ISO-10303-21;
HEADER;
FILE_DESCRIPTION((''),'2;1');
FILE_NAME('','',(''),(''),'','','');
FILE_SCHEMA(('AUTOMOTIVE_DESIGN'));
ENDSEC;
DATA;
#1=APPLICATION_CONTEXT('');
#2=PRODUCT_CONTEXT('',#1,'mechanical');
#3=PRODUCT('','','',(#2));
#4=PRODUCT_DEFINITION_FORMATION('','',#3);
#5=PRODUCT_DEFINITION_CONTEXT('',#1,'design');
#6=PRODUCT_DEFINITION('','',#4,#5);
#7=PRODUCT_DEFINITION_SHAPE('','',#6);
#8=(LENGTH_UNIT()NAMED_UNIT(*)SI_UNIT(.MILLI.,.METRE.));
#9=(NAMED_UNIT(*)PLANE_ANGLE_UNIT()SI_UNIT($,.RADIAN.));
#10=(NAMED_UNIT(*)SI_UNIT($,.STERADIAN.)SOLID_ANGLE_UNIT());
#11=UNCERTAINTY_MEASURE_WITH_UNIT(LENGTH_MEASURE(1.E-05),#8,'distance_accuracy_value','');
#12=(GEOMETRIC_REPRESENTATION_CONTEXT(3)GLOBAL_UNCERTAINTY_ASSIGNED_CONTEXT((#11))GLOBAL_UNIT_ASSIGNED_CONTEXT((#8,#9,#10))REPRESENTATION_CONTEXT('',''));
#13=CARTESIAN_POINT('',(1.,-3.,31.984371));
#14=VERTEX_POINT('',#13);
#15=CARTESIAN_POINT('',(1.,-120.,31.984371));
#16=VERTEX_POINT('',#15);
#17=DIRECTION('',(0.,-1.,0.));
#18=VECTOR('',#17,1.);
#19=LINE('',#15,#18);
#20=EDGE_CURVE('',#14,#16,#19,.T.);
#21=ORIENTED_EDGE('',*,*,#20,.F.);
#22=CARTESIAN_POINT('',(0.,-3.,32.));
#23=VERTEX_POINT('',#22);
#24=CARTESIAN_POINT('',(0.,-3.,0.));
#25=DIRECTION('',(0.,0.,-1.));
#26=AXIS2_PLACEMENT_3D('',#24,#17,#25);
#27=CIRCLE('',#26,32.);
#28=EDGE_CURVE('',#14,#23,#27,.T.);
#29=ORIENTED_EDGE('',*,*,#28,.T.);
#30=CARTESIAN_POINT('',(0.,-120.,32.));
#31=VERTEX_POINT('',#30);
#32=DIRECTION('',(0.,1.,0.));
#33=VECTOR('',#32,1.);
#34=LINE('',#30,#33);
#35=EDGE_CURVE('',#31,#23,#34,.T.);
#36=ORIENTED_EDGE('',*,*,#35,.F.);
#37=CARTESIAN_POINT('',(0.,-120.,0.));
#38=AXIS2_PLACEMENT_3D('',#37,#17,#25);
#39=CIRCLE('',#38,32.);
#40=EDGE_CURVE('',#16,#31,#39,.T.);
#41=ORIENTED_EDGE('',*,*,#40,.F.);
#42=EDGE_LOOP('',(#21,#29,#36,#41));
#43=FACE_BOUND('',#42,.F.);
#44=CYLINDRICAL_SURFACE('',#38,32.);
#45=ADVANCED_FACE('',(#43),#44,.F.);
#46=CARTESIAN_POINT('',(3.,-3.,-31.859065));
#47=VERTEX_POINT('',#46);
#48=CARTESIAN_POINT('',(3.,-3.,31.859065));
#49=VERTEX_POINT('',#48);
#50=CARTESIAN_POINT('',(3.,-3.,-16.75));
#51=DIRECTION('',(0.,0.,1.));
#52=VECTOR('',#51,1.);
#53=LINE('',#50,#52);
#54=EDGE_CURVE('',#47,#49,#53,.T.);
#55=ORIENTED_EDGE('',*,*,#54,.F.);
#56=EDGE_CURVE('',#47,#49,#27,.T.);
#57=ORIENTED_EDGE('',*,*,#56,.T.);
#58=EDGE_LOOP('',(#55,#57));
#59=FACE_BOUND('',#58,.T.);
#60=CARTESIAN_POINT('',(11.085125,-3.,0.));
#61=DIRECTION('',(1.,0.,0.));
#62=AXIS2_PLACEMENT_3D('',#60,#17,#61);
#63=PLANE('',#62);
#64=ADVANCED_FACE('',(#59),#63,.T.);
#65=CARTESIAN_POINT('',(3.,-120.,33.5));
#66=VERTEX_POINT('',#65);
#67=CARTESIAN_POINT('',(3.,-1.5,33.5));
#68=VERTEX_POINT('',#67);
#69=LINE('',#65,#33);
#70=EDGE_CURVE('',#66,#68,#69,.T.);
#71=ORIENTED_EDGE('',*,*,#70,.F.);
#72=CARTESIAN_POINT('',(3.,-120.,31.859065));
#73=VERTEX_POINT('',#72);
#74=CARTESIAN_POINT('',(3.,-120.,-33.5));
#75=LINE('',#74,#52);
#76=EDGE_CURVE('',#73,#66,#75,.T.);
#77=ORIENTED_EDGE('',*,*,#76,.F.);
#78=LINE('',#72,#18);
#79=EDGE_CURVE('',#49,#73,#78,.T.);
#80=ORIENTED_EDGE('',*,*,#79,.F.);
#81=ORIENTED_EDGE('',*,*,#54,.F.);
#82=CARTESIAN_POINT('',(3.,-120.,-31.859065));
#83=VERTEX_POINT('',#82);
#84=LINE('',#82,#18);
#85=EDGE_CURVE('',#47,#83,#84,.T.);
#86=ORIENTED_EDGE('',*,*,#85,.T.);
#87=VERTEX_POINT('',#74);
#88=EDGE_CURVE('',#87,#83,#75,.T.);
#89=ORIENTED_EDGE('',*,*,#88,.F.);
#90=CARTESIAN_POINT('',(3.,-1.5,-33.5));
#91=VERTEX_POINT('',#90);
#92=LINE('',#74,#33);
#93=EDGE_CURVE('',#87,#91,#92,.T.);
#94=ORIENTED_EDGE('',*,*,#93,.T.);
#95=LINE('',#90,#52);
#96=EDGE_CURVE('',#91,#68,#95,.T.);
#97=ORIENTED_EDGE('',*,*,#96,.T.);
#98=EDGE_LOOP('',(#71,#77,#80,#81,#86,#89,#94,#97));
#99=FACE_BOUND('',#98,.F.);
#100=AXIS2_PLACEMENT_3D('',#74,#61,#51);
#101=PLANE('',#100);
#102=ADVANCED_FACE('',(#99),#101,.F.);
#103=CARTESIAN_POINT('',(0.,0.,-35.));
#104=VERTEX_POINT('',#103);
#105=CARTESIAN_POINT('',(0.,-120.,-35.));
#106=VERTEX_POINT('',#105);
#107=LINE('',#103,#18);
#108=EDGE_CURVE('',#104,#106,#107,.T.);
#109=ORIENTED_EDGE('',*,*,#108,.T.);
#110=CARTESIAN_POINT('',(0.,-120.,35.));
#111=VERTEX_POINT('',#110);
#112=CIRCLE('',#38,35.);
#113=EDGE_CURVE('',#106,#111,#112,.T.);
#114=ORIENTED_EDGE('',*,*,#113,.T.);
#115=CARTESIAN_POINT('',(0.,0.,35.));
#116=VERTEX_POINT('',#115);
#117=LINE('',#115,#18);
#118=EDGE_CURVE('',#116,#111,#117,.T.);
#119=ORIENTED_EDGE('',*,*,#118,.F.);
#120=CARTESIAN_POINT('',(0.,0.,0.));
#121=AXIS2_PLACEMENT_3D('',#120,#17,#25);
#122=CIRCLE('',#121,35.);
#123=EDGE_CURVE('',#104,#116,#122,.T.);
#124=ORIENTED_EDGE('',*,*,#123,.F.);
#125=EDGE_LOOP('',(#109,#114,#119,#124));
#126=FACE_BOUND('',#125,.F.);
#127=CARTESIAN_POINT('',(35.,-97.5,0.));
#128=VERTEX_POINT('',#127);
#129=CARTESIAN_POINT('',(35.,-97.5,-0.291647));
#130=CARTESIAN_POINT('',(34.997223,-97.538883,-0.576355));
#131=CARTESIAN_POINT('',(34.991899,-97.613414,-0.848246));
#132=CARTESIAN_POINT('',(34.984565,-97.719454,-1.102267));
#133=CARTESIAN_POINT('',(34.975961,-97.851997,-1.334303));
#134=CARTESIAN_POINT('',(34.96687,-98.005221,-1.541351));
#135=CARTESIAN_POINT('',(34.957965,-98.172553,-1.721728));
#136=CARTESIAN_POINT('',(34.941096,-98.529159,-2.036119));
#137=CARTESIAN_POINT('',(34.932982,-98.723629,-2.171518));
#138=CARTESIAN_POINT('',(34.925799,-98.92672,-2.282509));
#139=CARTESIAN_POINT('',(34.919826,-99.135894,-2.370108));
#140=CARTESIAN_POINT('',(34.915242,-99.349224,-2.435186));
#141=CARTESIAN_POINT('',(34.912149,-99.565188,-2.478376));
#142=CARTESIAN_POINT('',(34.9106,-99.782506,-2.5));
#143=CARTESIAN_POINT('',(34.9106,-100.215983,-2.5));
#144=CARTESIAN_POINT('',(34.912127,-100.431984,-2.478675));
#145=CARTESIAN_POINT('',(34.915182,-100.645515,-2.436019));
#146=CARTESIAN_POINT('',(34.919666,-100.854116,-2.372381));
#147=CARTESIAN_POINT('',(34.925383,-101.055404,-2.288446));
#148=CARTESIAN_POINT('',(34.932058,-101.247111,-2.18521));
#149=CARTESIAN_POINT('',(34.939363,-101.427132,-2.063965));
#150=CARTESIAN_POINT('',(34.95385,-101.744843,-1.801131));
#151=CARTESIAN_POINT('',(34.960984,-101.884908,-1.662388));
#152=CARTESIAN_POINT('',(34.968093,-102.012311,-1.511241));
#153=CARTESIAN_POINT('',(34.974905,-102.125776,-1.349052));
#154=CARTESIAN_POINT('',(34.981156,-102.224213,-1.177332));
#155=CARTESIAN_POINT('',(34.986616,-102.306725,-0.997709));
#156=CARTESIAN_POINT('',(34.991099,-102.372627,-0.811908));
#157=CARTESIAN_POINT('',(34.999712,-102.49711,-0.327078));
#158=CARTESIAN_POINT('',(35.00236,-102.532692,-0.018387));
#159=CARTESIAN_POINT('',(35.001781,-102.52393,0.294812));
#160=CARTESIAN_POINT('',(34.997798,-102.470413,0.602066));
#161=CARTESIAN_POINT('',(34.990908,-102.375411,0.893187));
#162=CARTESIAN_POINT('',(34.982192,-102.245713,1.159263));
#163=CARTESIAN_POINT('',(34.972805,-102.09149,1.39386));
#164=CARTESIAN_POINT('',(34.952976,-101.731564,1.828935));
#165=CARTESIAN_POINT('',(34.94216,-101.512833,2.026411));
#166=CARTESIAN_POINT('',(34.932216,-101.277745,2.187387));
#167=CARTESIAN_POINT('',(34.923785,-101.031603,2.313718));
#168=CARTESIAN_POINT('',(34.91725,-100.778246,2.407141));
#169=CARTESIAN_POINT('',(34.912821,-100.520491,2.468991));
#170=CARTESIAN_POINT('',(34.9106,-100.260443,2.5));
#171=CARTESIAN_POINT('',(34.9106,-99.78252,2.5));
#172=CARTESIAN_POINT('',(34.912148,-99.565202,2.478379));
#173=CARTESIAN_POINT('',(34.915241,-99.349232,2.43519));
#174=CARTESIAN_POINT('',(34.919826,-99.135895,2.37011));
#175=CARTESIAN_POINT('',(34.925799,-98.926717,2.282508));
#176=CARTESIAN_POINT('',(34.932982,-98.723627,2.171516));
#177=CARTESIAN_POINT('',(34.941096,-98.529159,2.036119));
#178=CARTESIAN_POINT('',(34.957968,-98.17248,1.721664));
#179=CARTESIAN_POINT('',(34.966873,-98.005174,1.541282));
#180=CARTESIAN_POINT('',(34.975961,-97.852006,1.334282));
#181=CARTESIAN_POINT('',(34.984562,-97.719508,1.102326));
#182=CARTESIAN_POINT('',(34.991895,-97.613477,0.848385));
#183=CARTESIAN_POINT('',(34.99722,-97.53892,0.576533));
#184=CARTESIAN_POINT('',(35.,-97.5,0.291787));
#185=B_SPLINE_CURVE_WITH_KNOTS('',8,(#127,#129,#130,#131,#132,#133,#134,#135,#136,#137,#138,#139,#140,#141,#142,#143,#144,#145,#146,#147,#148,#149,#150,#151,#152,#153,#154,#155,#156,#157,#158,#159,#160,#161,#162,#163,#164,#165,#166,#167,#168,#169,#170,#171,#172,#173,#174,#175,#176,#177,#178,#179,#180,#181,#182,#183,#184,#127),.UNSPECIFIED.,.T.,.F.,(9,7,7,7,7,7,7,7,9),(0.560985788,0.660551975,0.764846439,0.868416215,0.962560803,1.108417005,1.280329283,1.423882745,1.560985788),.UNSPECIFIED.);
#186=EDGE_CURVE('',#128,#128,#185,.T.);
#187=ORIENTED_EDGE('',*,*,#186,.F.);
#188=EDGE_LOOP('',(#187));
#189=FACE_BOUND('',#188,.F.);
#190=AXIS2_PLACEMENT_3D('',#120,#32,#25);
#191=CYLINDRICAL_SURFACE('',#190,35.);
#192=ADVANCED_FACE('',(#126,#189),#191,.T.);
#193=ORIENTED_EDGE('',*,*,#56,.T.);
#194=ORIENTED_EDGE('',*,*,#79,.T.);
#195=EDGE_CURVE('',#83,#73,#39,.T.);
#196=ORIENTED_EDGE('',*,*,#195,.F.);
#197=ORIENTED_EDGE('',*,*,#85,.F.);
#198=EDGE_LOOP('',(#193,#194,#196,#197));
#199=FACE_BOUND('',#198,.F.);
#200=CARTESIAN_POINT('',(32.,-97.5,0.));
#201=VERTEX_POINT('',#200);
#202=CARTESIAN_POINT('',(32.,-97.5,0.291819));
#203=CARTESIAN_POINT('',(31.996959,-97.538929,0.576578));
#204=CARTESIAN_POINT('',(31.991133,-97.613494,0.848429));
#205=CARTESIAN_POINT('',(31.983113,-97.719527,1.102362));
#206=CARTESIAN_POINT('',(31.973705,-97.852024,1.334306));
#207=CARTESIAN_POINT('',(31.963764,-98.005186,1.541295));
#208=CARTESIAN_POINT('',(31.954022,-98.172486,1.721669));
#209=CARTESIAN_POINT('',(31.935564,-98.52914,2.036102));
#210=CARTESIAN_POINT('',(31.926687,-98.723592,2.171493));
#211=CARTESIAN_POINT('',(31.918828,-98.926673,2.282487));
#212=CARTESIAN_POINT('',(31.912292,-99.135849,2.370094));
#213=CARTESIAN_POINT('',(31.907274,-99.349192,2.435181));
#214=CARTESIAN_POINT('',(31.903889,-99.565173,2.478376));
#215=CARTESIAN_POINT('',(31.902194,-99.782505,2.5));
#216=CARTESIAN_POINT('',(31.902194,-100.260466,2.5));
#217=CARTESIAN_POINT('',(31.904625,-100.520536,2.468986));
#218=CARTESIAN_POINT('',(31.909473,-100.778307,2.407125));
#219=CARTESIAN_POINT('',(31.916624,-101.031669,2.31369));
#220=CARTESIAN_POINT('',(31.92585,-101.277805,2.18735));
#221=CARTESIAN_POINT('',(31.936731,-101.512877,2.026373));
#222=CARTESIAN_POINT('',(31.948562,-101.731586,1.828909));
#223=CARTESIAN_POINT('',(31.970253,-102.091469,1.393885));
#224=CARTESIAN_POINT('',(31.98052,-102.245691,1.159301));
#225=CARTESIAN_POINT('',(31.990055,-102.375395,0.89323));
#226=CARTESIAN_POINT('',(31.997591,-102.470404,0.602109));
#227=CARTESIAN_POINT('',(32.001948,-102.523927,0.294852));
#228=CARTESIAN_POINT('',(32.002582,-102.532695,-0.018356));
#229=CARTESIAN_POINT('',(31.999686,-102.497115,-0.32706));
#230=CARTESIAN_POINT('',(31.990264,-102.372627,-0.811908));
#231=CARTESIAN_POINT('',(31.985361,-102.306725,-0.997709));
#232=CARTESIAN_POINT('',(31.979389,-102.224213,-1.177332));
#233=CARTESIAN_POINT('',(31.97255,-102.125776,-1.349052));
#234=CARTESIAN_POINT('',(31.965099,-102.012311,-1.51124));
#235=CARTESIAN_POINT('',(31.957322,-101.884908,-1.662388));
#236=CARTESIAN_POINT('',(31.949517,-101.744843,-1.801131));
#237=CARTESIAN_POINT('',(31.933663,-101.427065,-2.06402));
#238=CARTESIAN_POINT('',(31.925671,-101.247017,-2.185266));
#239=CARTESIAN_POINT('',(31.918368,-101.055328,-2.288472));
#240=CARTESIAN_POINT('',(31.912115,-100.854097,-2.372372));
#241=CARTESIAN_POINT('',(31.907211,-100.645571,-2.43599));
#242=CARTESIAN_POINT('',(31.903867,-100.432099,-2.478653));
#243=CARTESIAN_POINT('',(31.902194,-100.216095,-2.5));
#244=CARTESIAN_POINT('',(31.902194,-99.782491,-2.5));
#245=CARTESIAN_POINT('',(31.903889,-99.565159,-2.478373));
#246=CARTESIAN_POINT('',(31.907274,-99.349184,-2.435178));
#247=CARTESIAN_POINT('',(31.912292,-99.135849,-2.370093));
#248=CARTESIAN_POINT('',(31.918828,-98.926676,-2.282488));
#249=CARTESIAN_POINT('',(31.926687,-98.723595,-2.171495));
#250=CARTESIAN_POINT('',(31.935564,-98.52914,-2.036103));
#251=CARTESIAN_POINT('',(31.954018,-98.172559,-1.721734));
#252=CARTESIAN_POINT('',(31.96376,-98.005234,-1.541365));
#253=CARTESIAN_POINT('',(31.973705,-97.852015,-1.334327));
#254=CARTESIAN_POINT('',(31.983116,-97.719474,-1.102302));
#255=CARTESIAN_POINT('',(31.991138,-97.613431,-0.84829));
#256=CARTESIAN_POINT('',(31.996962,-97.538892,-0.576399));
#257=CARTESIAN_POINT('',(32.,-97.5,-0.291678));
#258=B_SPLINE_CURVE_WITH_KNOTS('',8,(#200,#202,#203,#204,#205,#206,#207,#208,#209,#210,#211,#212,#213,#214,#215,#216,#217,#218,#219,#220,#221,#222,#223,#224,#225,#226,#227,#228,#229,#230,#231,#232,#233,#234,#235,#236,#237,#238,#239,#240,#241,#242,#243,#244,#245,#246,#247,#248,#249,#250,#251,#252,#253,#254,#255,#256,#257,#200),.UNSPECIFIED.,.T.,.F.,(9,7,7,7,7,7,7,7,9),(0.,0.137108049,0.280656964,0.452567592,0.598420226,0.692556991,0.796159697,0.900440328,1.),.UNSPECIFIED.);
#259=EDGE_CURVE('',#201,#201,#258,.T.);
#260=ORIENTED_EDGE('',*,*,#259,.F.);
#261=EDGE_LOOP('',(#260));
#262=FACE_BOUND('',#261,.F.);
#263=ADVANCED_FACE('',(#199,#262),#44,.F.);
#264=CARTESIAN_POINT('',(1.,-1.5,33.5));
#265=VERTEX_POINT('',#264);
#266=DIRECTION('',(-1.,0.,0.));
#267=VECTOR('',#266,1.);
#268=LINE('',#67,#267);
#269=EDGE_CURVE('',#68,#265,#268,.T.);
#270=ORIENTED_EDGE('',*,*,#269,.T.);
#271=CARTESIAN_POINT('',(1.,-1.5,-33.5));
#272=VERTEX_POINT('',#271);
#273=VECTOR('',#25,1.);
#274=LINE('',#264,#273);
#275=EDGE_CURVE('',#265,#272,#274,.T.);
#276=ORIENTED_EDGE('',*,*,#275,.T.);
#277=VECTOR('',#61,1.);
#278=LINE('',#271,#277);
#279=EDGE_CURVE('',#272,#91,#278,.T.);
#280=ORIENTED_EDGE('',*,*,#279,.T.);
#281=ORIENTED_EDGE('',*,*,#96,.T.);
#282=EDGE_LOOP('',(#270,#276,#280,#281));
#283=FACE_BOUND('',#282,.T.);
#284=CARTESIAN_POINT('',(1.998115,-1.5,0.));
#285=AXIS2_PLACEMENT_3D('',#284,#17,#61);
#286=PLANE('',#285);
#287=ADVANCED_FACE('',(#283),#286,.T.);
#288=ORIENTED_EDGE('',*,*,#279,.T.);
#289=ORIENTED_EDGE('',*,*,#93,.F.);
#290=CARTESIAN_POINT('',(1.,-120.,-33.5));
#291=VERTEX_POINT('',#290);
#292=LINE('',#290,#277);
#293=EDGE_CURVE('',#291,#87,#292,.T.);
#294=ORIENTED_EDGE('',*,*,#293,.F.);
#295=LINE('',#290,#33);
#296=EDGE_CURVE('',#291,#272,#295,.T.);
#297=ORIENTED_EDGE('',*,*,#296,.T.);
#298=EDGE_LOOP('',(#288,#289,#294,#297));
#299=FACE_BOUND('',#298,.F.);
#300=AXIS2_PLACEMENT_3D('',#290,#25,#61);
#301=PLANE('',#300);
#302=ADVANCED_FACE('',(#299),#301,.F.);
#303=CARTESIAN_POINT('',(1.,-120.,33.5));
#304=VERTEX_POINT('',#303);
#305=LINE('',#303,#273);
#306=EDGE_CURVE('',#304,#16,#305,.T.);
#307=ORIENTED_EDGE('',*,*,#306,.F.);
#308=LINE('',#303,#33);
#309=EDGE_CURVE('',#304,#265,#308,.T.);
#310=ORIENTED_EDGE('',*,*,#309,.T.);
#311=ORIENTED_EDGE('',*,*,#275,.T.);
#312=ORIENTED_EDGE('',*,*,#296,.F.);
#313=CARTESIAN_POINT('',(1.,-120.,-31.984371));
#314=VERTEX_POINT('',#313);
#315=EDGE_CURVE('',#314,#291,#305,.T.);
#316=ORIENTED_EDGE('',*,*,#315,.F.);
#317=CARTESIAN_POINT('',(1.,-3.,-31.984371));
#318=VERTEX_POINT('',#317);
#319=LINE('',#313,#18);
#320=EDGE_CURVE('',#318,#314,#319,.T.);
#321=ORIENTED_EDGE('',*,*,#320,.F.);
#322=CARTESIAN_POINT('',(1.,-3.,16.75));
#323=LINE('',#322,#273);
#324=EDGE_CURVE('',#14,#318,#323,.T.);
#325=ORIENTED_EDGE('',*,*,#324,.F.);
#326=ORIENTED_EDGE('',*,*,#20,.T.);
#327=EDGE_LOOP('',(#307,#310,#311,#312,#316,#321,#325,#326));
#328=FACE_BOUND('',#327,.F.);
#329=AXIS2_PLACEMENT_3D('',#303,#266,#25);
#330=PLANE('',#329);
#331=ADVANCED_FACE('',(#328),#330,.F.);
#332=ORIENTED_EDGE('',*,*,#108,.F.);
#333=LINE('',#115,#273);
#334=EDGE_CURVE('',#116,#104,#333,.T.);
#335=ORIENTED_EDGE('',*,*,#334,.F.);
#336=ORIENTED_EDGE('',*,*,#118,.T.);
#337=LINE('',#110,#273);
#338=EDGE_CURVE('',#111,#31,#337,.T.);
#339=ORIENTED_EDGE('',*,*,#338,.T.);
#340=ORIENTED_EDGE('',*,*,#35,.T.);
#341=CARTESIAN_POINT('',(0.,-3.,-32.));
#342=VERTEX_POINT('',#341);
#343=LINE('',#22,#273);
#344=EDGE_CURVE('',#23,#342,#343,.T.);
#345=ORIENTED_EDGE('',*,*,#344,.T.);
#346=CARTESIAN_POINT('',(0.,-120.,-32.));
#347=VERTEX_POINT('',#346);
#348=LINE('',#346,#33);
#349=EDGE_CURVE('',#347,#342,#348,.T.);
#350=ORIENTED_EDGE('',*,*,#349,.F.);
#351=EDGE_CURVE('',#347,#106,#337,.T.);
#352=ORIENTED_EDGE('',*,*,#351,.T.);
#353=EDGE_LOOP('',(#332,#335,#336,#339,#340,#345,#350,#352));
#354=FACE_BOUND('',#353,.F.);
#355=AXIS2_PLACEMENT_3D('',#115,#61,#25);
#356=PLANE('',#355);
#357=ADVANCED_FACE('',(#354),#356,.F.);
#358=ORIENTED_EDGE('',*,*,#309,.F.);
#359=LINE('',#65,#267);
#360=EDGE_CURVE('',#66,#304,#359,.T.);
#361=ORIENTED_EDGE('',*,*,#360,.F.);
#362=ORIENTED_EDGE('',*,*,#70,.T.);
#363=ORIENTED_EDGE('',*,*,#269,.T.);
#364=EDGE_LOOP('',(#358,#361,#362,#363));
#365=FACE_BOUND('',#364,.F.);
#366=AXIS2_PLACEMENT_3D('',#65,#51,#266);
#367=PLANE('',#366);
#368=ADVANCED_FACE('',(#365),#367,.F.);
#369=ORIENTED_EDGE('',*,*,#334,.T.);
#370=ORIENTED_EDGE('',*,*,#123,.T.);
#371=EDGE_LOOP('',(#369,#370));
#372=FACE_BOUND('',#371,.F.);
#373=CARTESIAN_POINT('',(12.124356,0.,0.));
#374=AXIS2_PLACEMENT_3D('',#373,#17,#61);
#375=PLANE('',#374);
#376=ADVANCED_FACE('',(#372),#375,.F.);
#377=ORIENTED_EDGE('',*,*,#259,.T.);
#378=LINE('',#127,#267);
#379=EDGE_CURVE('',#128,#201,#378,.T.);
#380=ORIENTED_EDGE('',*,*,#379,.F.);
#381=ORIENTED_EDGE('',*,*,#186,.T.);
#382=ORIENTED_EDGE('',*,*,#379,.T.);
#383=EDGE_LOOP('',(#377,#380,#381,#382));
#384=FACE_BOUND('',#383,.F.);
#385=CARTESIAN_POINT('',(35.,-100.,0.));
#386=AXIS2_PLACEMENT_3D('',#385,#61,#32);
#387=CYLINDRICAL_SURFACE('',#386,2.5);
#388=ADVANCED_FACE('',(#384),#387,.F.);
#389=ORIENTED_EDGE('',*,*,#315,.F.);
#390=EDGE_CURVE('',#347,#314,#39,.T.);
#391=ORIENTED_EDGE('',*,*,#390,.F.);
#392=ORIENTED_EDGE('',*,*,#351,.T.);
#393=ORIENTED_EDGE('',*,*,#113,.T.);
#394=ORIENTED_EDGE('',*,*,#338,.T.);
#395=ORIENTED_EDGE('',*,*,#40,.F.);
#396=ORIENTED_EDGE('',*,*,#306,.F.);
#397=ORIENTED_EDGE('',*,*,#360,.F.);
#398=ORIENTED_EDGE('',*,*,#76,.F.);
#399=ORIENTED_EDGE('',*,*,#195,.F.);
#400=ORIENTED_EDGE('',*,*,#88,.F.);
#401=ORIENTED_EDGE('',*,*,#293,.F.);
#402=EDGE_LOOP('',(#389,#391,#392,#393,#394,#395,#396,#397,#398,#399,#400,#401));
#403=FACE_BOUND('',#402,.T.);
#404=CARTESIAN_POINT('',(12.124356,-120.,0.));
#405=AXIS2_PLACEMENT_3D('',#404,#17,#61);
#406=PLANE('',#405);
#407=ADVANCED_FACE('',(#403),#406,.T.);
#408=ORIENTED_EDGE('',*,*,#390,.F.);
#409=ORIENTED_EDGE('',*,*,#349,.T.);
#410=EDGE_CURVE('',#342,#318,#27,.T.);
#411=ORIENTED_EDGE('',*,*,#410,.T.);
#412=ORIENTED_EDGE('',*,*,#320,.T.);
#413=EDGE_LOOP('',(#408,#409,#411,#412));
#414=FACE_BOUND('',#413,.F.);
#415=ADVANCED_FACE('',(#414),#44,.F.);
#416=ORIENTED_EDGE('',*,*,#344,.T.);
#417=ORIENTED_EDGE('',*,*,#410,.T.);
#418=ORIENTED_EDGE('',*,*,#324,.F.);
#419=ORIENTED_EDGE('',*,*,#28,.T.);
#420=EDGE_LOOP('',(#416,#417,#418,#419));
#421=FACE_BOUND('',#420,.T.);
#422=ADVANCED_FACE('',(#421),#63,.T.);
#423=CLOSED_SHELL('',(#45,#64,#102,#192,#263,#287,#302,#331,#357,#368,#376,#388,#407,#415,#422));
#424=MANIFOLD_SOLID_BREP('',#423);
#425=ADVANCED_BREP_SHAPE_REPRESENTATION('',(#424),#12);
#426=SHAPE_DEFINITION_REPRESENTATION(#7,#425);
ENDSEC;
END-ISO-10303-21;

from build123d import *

# Parameters (mm, degrees)
F1_DEPTH = 120
F3_DEPTH = 117
F5_DEPTH = 118.5
F8_R     = 2.5
F9_DEPTH = 25


with BuildPart() as f1:
    # F0 (on Front) → F1 (new body)
    with BuildSketch(Plane.XZ):
        with BuildLine():
            ThreePointArc((0, -35), (35, 0), (0, 35))
            Line((0, 35), (0, -35))
        make_face()
    extrude(amount=F1_DEPTH)

    # F2 (on face) → F3 (cut)
    with BuildSketch(Plane.XZ.offset(120)):
        with BuildLine():
            ThreePointArc((0, -32), (32, 0), (0, 32))
            Line((0, 32), (0, -32))
        make_face()
    extrude(amount=-F3_DEPTH, mode=Mode.SUBTRACT)

    # F4 (on face) → F5 (cut)
    with BuildSketch(Plane.XZ.offset(120)):
        with BuildLine():
            ThreePointArc((3, 31.8590646441), (2.0009811174, 31.9373773903), (1, 31.9843711834))
            Line((1, 31.9843711834), (1, -31.9843711834))
            ThreePointArc((1, -31.9843711834), (2.0009811174, -31.9373773903), (3, -31.8590646441))
            Line((3, -31.8590646441), (3, 31.8590646441))
        make_face()
        with BuildLine():
            Line((3, 33.5), (1, 33.5))
            Line((1, 33.5), (1, 31.9843711834))
            ThreePointArc((1, 31.9843711834), (2.0009811174, 31.9373773903), (3, 31.8590646441))
            Line((3, 31.8590646441), (3, 33.5))
        make_face()
        with BuildLine():
            ThreePointArc((3, -31.8590646441), (2.0009811174, -31.9373773903), (1, -31.9843711834))
            Line((1, -31.9843711834), (1, -33.5))
            Line((1, -33.5), (3, -33.5))
            Line((3, -33.5), (3, -31.8590646441))
        make_face()
    extrude(amount=-F5_DEPTH, mode=Mode.SUBTRACT)

    # F8 (on line) → F9 (cut)
    with BuildSketch(Plane.YZ.offset(35)):
        with Locations((-100, 0)):
            Circle(F8_R)
    extrude(amount=-F9_DEPTH, mode=Mode.SUBTRACT)


solid = f1.part
